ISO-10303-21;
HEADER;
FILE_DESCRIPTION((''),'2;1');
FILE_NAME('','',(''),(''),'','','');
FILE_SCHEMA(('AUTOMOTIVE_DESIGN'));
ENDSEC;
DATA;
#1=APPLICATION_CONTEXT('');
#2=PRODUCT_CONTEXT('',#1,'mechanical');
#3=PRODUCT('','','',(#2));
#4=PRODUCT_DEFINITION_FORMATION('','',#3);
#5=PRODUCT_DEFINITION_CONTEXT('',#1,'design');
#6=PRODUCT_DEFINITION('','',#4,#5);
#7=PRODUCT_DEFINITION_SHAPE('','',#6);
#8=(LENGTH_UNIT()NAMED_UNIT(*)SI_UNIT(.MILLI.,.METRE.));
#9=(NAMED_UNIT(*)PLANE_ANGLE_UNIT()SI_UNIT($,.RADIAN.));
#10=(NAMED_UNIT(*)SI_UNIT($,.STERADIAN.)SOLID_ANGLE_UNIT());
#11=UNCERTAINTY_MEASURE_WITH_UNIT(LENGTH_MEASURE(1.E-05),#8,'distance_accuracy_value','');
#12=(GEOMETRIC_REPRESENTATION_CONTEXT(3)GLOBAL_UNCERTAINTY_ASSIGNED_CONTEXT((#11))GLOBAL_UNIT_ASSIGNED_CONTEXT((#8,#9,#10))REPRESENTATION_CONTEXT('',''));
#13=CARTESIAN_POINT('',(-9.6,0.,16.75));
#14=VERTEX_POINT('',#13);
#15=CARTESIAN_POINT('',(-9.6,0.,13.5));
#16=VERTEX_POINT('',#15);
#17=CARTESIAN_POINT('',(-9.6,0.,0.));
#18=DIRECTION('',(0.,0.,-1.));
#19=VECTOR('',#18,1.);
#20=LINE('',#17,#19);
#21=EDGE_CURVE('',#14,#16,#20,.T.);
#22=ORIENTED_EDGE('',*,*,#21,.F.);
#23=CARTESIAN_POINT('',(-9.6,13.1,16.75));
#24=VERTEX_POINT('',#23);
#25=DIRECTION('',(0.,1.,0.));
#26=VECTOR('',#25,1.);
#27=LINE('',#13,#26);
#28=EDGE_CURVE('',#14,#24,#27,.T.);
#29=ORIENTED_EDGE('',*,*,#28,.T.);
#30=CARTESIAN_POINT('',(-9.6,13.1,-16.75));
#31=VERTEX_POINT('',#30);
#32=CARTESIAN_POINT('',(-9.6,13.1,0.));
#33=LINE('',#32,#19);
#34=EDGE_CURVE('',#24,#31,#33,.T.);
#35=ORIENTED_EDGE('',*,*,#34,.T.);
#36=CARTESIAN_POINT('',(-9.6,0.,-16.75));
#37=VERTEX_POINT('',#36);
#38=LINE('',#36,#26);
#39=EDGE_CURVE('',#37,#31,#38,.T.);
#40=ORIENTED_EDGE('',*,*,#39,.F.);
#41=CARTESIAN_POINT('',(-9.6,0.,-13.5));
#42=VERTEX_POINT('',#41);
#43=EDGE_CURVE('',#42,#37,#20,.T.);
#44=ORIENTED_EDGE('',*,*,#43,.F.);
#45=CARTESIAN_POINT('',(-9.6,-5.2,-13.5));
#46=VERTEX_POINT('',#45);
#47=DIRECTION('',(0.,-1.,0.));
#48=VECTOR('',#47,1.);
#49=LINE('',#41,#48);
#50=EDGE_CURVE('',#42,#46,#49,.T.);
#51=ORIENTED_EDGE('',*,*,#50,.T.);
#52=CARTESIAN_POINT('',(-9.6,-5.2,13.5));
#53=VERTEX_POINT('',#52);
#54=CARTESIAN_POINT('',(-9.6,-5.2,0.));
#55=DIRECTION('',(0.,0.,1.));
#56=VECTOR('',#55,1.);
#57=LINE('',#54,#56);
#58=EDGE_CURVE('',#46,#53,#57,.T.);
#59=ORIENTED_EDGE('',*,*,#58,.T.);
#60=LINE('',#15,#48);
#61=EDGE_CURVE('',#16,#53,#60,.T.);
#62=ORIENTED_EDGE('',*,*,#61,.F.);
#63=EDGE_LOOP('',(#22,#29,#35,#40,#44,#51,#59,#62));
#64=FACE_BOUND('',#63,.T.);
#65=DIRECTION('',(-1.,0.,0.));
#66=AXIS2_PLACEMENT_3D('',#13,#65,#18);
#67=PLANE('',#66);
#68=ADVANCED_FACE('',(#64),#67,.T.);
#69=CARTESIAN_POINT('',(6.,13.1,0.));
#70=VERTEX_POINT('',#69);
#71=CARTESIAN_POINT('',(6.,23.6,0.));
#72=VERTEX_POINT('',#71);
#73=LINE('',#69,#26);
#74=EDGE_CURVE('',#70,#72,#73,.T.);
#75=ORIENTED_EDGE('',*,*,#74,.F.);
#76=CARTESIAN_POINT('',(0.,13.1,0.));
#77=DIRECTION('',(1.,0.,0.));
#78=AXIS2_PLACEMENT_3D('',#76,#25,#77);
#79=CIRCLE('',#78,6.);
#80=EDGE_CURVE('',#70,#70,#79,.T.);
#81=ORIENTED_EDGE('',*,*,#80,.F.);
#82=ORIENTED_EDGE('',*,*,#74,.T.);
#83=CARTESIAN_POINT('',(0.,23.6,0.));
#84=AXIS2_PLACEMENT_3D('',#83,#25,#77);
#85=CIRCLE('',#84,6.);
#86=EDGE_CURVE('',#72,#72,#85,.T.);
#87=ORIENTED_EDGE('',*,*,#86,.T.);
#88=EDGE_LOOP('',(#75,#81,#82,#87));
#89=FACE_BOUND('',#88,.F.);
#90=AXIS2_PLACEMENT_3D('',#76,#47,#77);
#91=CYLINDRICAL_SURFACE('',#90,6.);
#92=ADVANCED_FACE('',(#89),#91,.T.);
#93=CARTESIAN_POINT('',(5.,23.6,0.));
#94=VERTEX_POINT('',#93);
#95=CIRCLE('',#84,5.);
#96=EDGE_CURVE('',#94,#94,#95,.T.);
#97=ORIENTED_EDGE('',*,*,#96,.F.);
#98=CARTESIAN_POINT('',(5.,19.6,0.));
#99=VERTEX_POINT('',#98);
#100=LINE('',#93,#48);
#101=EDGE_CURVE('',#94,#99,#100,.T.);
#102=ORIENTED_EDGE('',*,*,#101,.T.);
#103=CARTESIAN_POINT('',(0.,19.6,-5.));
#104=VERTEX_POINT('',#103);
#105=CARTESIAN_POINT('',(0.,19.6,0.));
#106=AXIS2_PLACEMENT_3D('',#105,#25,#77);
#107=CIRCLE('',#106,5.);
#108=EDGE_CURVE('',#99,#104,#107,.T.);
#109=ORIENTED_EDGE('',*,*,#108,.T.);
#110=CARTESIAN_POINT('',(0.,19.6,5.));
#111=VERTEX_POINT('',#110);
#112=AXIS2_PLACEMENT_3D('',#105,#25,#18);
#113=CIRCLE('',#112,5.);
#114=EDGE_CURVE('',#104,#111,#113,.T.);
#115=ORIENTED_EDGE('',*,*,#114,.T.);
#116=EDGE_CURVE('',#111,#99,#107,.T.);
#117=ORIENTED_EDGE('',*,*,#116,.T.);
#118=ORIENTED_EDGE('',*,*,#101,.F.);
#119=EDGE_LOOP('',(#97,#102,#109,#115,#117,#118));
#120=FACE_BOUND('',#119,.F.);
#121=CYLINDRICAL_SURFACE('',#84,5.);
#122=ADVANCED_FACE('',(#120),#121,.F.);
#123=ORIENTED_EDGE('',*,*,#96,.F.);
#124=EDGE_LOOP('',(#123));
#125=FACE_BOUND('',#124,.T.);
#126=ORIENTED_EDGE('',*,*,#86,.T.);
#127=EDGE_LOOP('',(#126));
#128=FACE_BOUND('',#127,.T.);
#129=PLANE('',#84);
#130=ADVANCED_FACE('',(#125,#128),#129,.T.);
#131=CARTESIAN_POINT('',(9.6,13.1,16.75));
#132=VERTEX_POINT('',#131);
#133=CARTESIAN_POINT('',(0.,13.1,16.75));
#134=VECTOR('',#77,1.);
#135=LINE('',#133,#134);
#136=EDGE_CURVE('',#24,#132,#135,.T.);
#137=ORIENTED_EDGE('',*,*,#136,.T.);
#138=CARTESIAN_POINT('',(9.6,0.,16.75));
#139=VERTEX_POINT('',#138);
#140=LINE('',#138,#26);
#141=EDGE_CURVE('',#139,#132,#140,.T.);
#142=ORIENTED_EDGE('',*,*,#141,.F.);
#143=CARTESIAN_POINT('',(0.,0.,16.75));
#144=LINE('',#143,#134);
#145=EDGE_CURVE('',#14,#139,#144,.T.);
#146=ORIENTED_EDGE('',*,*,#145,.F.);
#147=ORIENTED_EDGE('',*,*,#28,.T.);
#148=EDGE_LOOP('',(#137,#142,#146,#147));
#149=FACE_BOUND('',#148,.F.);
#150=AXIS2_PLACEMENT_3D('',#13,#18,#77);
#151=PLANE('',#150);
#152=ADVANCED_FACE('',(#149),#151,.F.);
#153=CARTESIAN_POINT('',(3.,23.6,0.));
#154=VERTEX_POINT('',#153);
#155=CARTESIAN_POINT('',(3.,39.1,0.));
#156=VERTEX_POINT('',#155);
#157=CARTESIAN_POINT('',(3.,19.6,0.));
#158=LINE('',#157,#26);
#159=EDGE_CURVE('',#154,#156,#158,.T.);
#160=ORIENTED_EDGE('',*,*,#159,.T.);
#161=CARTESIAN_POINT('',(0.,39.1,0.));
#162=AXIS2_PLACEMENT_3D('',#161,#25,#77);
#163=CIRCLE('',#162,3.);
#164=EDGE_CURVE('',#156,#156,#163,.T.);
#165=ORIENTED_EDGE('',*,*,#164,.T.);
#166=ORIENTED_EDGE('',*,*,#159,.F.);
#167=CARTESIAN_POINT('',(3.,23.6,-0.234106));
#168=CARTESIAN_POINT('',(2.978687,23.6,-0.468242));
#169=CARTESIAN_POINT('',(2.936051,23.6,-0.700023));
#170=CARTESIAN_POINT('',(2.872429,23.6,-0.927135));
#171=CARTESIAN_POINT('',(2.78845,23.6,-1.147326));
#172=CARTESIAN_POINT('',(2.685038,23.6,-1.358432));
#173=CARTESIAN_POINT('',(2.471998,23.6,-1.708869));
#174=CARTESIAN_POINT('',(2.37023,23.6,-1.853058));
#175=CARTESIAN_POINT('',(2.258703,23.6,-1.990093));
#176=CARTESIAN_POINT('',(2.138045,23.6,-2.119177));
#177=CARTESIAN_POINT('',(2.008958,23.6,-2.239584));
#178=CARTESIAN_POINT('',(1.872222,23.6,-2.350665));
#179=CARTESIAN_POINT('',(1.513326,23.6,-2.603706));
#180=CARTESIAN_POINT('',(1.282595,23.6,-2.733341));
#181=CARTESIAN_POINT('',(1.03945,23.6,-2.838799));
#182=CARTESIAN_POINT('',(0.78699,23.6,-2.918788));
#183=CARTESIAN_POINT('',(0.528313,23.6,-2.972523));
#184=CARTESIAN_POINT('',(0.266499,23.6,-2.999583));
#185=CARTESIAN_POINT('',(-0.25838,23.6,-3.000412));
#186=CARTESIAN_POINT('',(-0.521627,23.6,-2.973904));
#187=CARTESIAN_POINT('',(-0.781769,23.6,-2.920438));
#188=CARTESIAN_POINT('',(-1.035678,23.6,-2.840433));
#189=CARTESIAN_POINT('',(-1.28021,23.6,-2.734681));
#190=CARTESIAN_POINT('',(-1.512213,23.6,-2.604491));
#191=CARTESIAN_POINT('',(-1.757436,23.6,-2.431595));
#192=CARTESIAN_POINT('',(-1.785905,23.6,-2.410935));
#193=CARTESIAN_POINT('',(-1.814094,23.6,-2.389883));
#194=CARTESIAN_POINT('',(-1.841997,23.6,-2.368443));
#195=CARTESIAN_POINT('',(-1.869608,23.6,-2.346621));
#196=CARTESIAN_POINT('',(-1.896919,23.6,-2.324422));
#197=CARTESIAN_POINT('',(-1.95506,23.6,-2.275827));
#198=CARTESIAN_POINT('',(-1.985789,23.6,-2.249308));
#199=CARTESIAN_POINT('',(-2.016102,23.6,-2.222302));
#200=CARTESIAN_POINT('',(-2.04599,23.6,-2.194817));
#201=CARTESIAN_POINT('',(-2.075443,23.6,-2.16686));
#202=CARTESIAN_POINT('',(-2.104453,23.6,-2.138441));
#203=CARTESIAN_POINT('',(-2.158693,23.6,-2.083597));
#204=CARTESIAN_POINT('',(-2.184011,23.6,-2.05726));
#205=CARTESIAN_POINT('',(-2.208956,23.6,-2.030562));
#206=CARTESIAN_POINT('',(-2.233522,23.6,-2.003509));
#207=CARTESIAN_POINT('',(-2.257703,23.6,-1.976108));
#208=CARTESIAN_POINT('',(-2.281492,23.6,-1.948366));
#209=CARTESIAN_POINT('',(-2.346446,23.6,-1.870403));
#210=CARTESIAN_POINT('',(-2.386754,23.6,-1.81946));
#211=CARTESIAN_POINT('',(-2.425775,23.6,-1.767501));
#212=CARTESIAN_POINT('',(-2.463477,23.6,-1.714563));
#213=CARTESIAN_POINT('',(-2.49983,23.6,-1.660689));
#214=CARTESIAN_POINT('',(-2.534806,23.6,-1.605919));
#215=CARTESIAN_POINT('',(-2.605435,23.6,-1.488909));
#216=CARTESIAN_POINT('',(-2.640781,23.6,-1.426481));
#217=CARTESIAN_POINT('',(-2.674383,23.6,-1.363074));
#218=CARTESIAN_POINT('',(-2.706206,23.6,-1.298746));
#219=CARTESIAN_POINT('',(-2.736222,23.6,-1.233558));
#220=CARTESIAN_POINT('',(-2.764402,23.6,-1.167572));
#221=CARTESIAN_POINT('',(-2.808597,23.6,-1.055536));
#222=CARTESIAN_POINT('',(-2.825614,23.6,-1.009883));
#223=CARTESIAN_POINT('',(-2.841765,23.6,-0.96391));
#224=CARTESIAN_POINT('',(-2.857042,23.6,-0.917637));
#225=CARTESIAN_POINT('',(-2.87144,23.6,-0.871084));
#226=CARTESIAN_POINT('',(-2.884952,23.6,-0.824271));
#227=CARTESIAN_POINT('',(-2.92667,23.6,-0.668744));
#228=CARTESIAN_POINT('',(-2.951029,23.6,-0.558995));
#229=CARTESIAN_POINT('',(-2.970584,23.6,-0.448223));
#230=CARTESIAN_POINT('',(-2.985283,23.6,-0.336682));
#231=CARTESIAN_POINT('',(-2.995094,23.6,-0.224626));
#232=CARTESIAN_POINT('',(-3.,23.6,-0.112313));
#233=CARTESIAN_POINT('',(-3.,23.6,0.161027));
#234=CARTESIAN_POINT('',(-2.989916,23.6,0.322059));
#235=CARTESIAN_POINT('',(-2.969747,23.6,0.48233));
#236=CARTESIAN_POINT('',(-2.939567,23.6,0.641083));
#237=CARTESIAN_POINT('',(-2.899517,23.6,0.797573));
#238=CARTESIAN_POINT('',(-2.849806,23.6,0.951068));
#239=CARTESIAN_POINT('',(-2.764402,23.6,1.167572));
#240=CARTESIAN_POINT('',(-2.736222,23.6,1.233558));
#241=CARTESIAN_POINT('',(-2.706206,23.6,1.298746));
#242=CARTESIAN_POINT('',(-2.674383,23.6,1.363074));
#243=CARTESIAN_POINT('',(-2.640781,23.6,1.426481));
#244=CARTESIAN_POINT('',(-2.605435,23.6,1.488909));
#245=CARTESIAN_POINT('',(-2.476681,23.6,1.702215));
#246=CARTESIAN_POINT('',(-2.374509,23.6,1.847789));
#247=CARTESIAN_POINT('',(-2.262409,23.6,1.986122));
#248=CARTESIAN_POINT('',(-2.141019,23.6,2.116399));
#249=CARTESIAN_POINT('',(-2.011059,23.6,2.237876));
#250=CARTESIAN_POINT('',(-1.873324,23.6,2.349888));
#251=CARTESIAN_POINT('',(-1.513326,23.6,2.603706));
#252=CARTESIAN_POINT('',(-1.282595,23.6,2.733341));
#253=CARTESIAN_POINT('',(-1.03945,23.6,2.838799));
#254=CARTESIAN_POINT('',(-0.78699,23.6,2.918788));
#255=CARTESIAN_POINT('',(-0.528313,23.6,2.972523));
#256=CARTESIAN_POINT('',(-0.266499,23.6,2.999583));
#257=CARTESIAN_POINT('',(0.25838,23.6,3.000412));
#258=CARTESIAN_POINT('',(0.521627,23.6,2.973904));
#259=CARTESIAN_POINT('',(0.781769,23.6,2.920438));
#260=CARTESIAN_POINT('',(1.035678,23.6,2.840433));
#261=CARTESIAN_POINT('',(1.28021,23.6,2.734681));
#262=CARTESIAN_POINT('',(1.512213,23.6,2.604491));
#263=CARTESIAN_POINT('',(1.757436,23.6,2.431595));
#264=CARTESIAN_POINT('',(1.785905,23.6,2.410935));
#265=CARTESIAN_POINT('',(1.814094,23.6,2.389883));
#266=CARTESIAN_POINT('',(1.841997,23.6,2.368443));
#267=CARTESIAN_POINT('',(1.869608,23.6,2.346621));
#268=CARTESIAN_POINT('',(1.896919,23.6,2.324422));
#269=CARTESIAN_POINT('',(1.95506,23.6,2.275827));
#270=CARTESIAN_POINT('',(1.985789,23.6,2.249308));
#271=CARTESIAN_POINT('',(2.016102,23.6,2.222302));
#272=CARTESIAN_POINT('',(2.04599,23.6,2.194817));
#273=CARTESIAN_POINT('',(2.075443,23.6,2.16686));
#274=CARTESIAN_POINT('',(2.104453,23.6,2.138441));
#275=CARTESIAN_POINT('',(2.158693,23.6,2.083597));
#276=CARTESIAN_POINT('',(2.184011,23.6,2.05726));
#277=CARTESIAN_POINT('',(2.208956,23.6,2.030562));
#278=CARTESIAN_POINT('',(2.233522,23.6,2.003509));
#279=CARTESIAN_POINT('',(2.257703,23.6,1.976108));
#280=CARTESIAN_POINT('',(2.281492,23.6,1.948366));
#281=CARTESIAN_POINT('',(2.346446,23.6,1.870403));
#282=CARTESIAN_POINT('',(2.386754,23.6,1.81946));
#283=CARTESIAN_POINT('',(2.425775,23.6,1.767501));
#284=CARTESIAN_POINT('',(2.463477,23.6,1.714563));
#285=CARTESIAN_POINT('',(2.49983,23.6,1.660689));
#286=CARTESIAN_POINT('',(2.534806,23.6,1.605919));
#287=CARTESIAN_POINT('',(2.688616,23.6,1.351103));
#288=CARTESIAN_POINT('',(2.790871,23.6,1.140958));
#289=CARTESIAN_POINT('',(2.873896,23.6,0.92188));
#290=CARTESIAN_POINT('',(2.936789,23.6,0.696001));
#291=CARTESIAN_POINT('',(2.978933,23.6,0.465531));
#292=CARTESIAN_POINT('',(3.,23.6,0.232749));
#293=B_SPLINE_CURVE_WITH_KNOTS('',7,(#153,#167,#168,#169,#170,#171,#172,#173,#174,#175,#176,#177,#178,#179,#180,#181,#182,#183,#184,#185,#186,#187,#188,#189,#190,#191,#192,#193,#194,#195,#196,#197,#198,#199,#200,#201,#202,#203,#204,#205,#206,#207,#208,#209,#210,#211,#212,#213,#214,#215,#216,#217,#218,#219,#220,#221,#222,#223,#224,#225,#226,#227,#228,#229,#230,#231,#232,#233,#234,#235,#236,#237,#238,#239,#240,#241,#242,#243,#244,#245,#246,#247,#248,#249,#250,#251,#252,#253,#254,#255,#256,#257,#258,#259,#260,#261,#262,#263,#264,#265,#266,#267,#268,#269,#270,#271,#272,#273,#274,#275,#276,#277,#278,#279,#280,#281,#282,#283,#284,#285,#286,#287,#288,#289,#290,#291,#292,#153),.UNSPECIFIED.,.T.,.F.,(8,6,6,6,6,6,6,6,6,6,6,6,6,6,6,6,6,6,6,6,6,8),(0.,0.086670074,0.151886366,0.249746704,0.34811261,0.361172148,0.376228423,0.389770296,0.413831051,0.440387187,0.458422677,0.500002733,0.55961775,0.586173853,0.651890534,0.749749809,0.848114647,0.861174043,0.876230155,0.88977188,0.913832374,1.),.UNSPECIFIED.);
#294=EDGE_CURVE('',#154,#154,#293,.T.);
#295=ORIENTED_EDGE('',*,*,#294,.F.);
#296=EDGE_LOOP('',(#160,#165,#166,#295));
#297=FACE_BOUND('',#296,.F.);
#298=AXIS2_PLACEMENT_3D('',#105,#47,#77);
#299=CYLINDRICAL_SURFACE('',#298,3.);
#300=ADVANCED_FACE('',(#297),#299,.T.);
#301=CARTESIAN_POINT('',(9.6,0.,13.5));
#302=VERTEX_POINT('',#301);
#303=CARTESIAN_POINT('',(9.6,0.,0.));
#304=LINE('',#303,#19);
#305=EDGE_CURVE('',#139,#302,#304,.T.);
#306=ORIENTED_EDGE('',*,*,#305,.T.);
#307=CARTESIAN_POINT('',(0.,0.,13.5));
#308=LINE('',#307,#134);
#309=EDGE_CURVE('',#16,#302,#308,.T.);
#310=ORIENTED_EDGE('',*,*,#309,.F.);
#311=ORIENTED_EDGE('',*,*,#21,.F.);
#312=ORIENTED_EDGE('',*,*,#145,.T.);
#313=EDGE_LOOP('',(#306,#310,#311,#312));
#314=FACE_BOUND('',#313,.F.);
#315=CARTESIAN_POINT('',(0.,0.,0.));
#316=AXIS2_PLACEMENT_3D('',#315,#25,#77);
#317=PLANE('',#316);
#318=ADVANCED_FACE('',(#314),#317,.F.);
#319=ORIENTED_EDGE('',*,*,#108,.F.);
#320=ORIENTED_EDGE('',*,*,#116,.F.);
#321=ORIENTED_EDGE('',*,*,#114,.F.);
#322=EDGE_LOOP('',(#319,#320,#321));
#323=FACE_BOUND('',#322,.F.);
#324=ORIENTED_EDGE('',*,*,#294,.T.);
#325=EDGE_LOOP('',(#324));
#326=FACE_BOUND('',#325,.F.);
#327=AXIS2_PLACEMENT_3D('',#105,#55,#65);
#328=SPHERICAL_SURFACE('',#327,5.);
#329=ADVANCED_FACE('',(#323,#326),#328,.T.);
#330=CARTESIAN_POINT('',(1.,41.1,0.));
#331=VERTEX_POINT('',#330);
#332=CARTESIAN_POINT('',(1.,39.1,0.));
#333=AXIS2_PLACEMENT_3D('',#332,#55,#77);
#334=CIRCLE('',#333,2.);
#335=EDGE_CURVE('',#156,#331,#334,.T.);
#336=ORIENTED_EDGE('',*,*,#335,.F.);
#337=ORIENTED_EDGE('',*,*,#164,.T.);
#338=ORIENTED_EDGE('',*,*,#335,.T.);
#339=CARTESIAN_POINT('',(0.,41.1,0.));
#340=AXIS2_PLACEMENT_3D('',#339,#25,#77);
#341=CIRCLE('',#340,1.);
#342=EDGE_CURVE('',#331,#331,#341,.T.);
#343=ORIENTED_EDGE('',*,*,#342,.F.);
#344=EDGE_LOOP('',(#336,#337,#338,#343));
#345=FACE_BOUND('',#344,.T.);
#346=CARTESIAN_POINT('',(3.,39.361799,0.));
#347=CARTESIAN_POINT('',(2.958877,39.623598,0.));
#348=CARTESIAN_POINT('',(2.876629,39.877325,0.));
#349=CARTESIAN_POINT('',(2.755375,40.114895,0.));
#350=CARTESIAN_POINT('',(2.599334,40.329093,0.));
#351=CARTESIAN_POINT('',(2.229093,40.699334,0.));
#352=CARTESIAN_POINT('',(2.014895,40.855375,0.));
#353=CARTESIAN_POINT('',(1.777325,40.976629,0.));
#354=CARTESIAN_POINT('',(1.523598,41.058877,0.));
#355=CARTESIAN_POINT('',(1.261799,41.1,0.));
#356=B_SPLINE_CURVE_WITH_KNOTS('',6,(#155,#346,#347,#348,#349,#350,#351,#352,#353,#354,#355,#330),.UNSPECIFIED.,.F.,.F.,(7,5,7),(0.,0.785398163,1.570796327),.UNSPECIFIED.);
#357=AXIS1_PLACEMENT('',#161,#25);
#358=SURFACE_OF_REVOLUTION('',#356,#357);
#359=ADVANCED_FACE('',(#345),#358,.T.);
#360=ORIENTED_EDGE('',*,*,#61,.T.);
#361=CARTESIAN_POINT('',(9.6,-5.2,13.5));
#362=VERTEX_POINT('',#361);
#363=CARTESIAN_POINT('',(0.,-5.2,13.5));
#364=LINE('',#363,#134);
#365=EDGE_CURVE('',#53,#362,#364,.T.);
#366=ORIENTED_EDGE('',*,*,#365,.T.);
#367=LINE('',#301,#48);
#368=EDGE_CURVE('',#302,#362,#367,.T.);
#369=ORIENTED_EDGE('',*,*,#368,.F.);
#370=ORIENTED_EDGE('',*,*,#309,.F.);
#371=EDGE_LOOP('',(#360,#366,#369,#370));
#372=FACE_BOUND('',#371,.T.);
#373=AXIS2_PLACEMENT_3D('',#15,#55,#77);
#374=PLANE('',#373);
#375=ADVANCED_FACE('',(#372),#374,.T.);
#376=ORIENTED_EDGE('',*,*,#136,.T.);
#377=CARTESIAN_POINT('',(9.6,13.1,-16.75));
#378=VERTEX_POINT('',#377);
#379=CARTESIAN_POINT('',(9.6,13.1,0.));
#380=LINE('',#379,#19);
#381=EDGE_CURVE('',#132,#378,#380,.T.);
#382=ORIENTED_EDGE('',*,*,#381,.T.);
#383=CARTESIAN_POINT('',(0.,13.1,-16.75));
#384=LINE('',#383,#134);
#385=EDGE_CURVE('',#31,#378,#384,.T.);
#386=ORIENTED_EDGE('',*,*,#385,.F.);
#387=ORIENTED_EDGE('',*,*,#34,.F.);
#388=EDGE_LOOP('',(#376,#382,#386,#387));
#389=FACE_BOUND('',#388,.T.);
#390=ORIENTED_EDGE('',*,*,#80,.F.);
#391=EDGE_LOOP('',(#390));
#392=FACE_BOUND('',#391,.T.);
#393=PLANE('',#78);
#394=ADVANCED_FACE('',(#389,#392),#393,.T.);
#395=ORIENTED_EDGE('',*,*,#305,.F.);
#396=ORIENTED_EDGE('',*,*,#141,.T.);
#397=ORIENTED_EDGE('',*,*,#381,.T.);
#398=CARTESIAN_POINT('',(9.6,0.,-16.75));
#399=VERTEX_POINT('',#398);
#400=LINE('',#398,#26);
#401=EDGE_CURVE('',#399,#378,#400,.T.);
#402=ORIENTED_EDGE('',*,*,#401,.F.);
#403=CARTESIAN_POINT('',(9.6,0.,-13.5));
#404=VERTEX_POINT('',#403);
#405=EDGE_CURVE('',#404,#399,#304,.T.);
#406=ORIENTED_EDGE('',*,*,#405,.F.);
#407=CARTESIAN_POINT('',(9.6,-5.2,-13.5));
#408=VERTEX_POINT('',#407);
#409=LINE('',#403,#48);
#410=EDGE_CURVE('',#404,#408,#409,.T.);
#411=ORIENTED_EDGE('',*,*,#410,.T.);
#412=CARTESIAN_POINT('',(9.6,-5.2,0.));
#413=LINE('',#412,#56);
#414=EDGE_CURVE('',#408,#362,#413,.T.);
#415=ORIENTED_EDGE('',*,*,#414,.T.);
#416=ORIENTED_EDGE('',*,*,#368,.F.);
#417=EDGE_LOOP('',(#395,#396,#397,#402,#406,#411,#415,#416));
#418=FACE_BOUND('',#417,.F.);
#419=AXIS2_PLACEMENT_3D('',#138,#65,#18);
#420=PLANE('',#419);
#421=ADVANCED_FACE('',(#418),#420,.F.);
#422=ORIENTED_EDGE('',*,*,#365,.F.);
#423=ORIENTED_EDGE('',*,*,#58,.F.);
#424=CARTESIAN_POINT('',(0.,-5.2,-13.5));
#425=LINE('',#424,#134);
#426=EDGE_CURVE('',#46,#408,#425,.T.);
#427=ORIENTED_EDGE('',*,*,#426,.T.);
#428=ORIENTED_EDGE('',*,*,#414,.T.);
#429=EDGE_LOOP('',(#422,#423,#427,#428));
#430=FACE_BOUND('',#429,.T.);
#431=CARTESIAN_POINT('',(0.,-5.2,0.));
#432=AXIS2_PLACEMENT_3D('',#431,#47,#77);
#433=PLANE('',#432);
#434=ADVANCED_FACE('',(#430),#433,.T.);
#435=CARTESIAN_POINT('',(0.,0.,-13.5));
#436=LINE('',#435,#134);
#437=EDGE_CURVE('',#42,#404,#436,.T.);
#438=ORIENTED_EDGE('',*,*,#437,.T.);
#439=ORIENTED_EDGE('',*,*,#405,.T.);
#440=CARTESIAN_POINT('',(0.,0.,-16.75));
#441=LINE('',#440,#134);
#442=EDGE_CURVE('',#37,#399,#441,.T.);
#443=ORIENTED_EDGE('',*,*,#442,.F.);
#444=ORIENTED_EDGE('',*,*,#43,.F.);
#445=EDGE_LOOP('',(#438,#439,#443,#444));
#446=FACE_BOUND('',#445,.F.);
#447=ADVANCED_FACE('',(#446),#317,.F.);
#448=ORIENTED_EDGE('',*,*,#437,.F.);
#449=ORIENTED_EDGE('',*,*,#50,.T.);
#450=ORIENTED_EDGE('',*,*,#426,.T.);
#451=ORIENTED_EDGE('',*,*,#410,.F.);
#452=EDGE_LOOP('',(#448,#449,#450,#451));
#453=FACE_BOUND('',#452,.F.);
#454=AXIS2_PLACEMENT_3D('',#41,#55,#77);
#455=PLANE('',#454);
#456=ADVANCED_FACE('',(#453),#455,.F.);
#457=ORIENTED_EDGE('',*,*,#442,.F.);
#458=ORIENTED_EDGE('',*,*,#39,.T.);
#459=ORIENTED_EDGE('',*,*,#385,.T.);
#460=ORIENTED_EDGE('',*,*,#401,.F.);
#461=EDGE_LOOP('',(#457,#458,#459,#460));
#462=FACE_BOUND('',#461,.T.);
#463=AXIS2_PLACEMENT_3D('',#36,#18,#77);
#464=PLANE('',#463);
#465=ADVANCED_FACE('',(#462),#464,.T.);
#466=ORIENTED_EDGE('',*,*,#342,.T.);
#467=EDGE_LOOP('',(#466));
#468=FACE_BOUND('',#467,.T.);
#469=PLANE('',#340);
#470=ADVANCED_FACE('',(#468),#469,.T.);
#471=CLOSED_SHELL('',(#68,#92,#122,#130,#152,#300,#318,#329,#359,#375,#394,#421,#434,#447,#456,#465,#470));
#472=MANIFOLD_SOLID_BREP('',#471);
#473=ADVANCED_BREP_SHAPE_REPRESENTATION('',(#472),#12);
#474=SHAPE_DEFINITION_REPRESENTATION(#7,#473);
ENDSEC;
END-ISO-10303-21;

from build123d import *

# Parameters (mm, degrees)
SKETCH1_W           = 19.2
SKETCH1_H           = 33.5
BOSS_EXTRUDE1_DEPTH = 13.1
SKETCH2_R           = 6
BOSS_EXTRUDE2_DEPTH = 10.5
SKETCH4_R           = 5
CUT_EXTRUDE1_DEPTH  = 4
SKETCH5_R           = 3
BOSS_EXTRUDE3_DEPTH = 21.5
REVOLVE2_ANGLE      = 180
FILLET1_R           = 2
SKETCH6_W           = 19.2
SKETCH6_H           = 27
BOSS_EXTRUDE4_DEPTH = 5.2


with BuildPart() as part:
    # Sketch1 → Boss-Extrude1 (new body)
    with BuildSketch(Plane(origin=(0, 0, 0), x_dir=(1, 0, 0), z_dir=(0, 1, 0))):
        Rectangle(SKETCH1_W, SKETCH1_H)
    extrude(amount=BOSS_EXTRUDE1_DEPTH)

    # Sketch2 → Boss-Extrude2 (add)
    with BuildSketch(Plane(origin=(0, 13.1, 0), x_dir=(1, 0, 0), z_dir=(0, 1, 0))):
        Circle(SKETCH2_R)
    extrude(amount=BOSS_EXTRUDE2_DEPTH)

    # Sketch4 → Cut-Extrude1 (cut)
    with BuildSketch(Plane(origin=(0, 23.6, 0), x_dir=(1, 0, 0), z_dir=(0, 1, 0))):
        Circle(SKETCH4_R)
    extrude(amount=-CUT_EXTRUDE1_DEPTH, mode=Mode.SUBTRACT)

    # Sketch5 → Boss-Extrude3 (add)
    with BuildSketch(Plane(origin=(0, 19.6, 0), x_dir=(1, 0, 0), z_dir=(0, 1, 0))):
        Circle(SKETCH5_R)
    extrude(amount=BOSS_EXTRUDE3_DEPTH)

    # Sketch3 → Revolve2 (revolve)
    with BuildSketch(Plane(origin=(0, 19.6, 0), x_dir=(1, 0, 0), z_dir=(0, 1, 0))):
        with BuildLine():
            Line((0, -5), (0, 5))
            ThreePointArc((0, 5), (-5, 0), (0, -5))
        make_face()
    revolve(axis=Axis((0, 19.6, 6), (0, 0, -1)), revolution_arc=REVOLVE2_ANGLE)

    # Fillet1
    fillet1_edges = [part.edges().sort_by_distance(p)[0] for p in [
        (-3, 41.1, 0),
    ]]
    fillet(fillet1_edges, radius=FILLET1_R)

    # Sketch6 → Boss-Extrude4 (add)
    with BuildSketch(Plane.XZ):
        Rectangle(SKETCH6_W, SKETCH6_H)
    extrude(amount=BOSS_EXTRUDE4_DEPTH)


solid = part.part
